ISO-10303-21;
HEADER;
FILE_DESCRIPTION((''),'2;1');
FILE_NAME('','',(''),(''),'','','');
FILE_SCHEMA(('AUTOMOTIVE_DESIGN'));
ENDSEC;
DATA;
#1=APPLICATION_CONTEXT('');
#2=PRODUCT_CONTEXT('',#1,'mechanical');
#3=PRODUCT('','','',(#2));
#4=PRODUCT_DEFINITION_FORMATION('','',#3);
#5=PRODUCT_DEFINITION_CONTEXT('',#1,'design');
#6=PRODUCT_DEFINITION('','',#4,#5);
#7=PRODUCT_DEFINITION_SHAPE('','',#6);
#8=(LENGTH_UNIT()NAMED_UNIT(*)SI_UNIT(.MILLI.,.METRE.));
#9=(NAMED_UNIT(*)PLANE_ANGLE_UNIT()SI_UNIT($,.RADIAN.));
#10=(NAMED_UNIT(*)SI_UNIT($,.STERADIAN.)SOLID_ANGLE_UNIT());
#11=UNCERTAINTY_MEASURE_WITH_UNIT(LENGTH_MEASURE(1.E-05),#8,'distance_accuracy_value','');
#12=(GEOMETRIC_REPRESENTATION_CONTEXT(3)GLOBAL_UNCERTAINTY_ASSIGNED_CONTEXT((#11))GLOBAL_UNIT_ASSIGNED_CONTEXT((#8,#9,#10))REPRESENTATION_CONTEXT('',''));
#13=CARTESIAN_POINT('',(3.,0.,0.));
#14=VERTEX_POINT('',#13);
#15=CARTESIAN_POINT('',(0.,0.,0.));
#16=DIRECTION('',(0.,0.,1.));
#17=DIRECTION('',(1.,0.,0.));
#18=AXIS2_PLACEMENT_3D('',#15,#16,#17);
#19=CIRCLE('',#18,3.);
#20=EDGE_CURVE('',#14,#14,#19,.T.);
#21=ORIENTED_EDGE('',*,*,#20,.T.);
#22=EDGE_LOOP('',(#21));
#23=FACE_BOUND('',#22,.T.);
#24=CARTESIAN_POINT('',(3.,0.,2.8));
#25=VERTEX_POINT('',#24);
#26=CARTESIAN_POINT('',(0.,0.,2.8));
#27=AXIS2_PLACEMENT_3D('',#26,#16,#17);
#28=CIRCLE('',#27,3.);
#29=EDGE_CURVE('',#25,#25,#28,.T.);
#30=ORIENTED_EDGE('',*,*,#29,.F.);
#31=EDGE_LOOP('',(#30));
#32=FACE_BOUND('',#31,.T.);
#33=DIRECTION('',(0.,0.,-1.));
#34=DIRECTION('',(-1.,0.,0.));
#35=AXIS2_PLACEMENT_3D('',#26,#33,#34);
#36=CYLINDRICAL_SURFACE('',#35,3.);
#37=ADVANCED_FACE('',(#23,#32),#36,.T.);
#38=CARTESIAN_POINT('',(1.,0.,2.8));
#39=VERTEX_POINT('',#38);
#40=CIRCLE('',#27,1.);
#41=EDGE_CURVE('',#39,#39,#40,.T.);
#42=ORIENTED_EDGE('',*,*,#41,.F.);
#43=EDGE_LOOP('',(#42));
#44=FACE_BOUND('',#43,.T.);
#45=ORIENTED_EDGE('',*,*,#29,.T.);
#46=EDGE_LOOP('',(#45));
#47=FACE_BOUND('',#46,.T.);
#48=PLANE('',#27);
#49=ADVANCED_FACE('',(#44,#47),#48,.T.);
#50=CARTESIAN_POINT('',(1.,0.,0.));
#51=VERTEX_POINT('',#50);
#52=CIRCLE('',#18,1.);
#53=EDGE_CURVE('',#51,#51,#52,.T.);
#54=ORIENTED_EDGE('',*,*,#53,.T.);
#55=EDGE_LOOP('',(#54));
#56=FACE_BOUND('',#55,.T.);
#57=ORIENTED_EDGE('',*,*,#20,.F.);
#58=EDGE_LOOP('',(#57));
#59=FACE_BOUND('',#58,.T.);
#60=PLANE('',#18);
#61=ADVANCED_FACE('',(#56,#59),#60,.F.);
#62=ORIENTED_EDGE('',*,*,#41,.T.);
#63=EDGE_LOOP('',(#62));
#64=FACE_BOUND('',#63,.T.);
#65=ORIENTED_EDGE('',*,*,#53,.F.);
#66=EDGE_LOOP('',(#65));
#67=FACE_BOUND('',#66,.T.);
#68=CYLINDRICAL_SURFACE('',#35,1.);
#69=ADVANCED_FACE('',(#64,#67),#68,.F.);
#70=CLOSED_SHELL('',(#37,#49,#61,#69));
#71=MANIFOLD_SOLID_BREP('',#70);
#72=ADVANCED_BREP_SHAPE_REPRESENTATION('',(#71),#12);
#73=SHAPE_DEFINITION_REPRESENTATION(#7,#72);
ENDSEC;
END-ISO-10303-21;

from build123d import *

# Parameters (mm, degrees)
SKETCH1_R           = 3
SKETCH1_R_2         = 1
BOSS_EXTRUDE1_DEPTH = 2.8


with BuildPart() as part:
    # Sketch1 → Boss-Extrude1 (new body)
    with BuildSketch(Plane.XY):
        Circle(SKETCH1_R)
        Circle(SKETCH1_R_2, mode=Mode.SUBTRACT)
    extrude(amount=BOSS_EXTRUDE1_DEPTH)


solid = part.part
